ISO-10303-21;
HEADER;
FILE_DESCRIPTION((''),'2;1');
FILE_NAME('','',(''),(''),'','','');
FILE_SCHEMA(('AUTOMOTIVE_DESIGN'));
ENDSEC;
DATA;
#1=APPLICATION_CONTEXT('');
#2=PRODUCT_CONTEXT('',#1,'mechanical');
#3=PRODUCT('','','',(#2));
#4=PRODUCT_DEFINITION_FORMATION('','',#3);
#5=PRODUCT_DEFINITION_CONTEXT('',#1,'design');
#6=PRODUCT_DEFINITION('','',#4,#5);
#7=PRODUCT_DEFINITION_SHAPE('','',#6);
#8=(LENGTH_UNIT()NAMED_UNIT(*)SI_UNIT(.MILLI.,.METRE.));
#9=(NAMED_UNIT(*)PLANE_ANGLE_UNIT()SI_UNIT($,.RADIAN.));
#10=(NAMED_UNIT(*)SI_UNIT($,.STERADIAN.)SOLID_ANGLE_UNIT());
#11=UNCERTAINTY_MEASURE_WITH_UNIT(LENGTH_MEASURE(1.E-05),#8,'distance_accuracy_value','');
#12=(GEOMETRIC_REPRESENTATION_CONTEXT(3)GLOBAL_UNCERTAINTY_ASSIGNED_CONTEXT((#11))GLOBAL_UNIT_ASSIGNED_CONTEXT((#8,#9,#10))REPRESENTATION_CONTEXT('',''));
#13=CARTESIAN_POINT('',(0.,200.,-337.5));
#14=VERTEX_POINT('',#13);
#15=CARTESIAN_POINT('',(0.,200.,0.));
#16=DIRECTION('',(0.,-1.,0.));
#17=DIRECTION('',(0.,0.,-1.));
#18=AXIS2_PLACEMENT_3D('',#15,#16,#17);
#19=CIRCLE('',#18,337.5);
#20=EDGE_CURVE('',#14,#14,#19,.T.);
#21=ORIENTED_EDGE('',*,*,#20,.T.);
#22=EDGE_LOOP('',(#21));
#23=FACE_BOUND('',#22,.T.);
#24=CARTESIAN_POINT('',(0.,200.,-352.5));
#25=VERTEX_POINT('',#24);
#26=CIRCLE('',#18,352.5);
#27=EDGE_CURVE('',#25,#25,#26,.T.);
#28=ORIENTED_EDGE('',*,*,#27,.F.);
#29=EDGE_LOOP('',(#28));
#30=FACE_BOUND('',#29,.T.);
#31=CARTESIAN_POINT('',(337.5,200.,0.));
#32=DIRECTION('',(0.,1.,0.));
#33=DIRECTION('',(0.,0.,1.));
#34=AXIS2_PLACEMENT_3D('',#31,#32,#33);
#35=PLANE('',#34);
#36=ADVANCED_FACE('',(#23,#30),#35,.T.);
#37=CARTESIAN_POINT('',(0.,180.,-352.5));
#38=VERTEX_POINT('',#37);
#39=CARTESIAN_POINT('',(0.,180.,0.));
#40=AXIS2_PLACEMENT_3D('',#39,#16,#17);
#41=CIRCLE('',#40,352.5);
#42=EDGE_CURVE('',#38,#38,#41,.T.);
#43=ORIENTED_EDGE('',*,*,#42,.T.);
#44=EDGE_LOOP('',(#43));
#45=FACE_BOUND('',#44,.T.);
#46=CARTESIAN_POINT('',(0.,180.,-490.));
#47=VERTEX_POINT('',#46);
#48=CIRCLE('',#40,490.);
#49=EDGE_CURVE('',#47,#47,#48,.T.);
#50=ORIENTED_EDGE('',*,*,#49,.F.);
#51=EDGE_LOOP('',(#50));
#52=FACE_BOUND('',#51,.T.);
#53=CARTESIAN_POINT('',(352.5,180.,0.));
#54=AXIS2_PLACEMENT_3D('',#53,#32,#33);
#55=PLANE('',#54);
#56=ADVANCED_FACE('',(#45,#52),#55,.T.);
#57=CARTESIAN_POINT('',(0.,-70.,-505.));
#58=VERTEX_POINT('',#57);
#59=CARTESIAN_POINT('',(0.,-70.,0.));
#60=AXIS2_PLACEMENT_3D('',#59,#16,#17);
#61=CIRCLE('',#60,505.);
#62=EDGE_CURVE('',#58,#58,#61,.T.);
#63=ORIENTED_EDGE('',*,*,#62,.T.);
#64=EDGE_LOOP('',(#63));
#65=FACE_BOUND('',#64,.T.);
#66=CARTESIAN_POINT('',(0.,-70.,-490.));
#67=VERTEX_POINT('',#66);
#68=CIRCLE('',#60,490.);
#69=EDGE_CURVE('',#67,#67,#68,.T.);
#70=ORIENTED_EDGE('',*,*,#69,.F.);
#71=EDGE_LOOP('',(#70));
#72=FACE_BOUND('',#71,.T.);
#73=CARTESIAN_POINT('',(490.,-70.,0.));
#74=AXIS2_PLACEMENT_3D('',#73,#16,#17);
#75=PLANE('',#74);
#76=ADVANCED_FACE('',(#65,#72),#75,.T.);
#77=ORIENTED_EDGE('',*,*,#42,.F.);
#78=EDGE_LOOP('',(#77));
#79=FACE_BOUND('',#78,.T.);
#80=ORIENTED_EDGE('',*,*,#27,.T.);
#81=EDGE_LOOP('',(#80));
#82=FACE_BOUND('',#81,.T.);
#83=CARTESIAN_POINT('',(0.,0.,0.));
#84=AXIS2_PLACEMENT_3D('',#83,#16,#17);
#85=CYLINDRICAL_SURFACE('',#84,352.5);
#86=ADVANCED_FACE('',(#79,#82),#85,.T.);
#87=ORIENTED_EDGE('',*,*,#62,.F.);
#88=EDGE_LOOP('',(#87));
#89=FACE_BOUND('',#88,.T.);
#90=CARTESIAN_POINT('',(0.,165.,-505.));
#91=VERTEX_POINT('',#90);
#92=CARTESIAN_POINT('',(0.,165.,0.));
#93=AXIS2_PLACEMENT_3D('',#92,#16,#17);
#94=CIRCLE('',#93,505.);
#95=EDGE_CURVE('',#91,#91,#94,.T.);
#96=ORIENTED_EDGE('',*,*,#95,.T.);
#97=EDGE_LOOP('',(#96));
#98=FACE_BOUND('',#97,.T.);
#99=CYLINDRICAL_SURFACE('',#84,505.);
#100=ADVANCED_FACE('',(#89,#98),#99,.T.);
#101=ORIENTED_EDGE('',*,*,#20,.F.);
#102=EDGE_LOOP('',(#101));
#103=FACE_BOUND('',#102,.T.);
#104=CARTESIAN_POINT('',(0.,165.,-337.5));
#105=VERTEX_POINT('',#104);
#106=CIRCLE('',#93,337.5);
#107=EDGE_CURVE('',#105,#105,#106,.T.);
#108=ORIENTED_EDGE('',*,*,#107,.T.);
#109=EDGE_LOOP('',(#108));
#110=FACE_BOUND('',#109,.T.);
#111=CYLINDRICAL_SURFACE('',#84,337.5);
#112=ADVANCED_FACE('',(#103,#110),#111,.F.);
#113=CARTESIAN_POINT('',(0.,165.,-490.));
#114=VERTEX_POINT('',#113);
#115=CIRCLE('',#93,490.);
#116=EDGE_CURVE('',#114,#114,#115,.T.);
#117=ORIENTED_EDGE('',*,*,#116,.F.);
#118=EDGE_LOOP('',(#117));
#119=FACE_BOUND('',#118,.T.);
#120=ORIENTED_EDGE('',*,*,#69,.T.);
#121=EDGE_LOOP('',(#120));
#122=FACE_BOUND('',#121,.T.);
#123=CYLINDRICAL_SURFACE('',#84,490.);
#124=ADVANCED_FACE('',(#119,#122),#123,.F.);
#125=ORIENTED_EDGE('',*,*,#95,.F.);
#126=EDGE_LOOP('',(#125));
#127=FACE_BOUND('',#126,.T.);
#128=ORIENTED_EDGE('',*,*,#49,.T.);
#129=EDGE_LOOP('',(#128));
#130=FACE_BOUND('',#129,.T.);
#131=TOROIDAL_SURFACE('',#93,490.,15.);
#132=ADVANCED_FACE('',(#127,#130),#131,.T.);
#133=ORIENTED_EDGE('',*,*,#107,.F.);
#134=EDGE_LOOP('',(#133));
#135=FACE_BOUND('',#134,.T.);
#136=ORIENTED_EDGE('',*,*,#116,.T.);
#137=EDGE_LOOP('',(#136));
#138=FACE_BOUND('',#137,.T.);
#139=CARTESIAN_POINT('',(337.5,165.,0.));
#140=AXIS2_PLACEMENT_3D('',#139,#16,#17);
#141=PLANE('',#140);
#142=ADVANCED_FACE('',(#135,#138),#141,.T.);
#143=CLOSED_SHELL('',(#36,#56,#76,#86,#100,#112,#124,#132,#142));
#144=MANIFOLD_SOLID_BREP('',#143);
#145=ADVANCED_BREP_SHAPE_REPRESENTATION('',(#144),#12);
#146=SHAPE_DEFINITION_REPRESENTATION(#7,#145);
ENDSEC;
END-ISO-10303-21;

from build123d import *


with BuildPart() as part:
    # Sketch6 → Revolve1 (revolve)
    with BuildSketch(Plane.XY, mode=Mode.PRIVATE) as revolve1_sk:
        with BuildLine():
            Line((337.5, 165), (337.5, 200))
            Line((337.5, 200), (352.5, 200))
            Line((352.5, 200), (352.5, 180))
            Line((352.5, 180), (490, 180))
            ThreePointArc((490, 180), (500.606601718, 175.606601718), (505, 165))
            Line((505, 165), (505, 0))
            Line((505, 0), (505, -70))
            Line((505, -70), (490, -70))
            Line((490, -70), (490, 0))
            Line((490, 0), (490, 165))
            Line((490, 165), (337.5, 165))
        make_face()
    revolve(revolve1_sk.sketch.rotate(Axis((0, 0, 0), (0, 1, 0)), 90), axis=Axis((0, 0, 0), (0, 1, 0)))


solid = part.part
